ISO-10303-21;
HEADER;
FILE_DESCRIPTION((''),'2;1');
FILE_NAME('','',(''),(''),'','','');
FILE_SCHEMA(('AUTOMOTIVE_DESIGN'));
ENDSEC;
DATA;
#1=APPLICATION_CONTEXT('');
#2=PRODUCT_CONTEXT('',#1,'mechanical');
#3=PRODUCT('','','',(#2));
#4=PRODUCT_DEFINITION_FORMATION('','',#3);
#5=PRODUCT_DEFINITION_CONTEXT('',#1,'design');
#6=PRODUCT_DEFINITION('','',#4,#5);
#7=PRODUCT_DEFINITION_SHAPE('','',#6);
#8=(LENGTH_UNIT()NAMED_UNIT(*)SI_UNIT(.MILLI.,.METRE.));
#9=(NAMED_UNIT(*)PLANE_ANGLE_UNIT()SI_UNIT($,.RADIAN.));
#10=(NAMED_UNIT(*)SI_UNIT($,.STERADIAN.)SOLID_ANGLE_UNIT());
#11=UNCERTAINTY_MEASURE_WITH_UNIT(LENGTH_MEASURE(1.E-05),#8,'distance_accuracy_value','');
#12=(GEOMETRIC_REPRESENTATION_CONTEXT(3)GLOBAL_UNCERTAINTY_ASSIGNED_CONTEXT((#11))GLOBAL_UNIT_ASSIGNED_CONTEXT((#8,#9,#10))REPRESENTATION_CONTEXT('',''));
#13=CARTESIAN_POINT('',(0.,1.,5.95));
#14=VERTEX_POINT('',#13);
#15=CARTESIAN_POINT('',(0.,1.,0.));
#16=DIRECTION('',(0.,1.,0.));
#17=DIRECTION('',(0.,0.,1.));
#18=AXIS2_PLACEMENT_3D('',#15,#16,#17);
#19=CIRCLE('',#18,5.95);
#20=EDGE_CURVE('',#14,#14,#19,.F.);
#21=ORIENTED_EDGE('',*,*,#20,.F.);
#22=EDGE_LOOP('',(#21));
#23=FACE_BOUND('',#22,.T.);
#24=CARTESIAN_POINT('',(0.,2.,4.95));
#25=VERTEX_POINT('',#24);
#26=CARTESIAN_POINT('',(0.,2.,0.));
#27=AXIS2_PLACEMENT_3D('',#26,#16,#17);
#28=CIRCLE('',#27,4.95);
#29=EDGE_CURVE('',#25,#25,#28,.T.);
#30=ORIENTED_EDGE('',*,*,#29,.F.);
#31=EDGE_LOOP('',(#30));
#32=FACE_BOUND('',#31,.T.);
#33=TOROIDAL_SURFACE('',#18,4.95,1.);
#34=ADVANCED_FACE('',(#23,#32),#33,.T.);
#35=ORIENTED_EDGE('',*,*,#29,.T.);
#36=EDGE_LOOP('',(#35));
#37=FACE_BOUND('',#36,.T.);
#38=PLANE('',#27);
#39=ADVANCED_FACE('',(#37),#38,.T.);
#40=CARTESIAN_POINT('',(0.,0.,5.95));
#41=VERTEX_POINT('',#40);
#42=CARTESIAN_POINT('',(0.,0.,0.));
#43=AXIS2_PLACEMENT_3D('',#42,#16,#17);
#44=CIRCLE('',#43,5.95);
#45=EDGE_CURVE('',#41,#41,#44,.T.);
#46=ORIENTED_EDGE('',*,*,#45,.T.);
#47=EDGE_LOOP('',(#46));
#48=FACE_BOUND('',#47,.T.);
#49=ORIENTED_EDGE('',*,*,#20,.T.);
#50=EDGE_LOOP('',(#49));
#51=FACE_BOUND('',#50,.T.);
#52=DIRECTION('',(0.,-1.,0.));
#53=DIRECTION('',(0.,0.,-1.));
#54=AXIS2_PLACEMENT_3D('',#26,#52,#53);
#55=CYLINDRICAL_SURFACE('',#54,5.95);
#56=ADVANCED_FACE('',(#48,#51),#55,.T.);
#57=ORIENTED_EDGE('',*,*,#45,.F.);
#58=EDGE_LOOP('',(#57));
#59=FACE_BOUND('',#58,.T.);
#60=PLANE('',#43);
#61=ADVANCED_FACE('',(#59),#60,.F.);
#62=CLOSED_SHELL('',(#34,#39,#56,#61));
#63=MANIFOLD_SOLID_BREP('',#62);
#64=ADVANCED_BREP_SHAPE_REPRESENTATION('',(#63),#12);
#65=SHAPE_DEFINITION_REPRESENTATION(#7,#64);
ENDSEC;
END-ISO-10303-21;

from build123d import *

# Parameters (mm, degrees)
SKETCH1_R           = 5.95
BOSS_EXTRUDE1_DEPTH = 2
FILLET1_R           = 1


with BuildPart() as part:
    # Sketch1 → Boss-Extrude1 (new body)
    with BuildSketch(Plane(origin=(0, 0, 0), x_dir=(1, 0, 0), z_dir=(0, 1, 0))):
        Circle(SKETCH1_R)
    extrude(amount=BOSS_EXTRUDE1_DEPTH)

    # Fillet1
    fillet1_edges = [part.edges().sort_by_distance(p)[0] for p in [
        (-5.95, 2, 0),
    ]]
    fillet(fillet1_edges, radius=FILLET1_R)


solid = part.part
